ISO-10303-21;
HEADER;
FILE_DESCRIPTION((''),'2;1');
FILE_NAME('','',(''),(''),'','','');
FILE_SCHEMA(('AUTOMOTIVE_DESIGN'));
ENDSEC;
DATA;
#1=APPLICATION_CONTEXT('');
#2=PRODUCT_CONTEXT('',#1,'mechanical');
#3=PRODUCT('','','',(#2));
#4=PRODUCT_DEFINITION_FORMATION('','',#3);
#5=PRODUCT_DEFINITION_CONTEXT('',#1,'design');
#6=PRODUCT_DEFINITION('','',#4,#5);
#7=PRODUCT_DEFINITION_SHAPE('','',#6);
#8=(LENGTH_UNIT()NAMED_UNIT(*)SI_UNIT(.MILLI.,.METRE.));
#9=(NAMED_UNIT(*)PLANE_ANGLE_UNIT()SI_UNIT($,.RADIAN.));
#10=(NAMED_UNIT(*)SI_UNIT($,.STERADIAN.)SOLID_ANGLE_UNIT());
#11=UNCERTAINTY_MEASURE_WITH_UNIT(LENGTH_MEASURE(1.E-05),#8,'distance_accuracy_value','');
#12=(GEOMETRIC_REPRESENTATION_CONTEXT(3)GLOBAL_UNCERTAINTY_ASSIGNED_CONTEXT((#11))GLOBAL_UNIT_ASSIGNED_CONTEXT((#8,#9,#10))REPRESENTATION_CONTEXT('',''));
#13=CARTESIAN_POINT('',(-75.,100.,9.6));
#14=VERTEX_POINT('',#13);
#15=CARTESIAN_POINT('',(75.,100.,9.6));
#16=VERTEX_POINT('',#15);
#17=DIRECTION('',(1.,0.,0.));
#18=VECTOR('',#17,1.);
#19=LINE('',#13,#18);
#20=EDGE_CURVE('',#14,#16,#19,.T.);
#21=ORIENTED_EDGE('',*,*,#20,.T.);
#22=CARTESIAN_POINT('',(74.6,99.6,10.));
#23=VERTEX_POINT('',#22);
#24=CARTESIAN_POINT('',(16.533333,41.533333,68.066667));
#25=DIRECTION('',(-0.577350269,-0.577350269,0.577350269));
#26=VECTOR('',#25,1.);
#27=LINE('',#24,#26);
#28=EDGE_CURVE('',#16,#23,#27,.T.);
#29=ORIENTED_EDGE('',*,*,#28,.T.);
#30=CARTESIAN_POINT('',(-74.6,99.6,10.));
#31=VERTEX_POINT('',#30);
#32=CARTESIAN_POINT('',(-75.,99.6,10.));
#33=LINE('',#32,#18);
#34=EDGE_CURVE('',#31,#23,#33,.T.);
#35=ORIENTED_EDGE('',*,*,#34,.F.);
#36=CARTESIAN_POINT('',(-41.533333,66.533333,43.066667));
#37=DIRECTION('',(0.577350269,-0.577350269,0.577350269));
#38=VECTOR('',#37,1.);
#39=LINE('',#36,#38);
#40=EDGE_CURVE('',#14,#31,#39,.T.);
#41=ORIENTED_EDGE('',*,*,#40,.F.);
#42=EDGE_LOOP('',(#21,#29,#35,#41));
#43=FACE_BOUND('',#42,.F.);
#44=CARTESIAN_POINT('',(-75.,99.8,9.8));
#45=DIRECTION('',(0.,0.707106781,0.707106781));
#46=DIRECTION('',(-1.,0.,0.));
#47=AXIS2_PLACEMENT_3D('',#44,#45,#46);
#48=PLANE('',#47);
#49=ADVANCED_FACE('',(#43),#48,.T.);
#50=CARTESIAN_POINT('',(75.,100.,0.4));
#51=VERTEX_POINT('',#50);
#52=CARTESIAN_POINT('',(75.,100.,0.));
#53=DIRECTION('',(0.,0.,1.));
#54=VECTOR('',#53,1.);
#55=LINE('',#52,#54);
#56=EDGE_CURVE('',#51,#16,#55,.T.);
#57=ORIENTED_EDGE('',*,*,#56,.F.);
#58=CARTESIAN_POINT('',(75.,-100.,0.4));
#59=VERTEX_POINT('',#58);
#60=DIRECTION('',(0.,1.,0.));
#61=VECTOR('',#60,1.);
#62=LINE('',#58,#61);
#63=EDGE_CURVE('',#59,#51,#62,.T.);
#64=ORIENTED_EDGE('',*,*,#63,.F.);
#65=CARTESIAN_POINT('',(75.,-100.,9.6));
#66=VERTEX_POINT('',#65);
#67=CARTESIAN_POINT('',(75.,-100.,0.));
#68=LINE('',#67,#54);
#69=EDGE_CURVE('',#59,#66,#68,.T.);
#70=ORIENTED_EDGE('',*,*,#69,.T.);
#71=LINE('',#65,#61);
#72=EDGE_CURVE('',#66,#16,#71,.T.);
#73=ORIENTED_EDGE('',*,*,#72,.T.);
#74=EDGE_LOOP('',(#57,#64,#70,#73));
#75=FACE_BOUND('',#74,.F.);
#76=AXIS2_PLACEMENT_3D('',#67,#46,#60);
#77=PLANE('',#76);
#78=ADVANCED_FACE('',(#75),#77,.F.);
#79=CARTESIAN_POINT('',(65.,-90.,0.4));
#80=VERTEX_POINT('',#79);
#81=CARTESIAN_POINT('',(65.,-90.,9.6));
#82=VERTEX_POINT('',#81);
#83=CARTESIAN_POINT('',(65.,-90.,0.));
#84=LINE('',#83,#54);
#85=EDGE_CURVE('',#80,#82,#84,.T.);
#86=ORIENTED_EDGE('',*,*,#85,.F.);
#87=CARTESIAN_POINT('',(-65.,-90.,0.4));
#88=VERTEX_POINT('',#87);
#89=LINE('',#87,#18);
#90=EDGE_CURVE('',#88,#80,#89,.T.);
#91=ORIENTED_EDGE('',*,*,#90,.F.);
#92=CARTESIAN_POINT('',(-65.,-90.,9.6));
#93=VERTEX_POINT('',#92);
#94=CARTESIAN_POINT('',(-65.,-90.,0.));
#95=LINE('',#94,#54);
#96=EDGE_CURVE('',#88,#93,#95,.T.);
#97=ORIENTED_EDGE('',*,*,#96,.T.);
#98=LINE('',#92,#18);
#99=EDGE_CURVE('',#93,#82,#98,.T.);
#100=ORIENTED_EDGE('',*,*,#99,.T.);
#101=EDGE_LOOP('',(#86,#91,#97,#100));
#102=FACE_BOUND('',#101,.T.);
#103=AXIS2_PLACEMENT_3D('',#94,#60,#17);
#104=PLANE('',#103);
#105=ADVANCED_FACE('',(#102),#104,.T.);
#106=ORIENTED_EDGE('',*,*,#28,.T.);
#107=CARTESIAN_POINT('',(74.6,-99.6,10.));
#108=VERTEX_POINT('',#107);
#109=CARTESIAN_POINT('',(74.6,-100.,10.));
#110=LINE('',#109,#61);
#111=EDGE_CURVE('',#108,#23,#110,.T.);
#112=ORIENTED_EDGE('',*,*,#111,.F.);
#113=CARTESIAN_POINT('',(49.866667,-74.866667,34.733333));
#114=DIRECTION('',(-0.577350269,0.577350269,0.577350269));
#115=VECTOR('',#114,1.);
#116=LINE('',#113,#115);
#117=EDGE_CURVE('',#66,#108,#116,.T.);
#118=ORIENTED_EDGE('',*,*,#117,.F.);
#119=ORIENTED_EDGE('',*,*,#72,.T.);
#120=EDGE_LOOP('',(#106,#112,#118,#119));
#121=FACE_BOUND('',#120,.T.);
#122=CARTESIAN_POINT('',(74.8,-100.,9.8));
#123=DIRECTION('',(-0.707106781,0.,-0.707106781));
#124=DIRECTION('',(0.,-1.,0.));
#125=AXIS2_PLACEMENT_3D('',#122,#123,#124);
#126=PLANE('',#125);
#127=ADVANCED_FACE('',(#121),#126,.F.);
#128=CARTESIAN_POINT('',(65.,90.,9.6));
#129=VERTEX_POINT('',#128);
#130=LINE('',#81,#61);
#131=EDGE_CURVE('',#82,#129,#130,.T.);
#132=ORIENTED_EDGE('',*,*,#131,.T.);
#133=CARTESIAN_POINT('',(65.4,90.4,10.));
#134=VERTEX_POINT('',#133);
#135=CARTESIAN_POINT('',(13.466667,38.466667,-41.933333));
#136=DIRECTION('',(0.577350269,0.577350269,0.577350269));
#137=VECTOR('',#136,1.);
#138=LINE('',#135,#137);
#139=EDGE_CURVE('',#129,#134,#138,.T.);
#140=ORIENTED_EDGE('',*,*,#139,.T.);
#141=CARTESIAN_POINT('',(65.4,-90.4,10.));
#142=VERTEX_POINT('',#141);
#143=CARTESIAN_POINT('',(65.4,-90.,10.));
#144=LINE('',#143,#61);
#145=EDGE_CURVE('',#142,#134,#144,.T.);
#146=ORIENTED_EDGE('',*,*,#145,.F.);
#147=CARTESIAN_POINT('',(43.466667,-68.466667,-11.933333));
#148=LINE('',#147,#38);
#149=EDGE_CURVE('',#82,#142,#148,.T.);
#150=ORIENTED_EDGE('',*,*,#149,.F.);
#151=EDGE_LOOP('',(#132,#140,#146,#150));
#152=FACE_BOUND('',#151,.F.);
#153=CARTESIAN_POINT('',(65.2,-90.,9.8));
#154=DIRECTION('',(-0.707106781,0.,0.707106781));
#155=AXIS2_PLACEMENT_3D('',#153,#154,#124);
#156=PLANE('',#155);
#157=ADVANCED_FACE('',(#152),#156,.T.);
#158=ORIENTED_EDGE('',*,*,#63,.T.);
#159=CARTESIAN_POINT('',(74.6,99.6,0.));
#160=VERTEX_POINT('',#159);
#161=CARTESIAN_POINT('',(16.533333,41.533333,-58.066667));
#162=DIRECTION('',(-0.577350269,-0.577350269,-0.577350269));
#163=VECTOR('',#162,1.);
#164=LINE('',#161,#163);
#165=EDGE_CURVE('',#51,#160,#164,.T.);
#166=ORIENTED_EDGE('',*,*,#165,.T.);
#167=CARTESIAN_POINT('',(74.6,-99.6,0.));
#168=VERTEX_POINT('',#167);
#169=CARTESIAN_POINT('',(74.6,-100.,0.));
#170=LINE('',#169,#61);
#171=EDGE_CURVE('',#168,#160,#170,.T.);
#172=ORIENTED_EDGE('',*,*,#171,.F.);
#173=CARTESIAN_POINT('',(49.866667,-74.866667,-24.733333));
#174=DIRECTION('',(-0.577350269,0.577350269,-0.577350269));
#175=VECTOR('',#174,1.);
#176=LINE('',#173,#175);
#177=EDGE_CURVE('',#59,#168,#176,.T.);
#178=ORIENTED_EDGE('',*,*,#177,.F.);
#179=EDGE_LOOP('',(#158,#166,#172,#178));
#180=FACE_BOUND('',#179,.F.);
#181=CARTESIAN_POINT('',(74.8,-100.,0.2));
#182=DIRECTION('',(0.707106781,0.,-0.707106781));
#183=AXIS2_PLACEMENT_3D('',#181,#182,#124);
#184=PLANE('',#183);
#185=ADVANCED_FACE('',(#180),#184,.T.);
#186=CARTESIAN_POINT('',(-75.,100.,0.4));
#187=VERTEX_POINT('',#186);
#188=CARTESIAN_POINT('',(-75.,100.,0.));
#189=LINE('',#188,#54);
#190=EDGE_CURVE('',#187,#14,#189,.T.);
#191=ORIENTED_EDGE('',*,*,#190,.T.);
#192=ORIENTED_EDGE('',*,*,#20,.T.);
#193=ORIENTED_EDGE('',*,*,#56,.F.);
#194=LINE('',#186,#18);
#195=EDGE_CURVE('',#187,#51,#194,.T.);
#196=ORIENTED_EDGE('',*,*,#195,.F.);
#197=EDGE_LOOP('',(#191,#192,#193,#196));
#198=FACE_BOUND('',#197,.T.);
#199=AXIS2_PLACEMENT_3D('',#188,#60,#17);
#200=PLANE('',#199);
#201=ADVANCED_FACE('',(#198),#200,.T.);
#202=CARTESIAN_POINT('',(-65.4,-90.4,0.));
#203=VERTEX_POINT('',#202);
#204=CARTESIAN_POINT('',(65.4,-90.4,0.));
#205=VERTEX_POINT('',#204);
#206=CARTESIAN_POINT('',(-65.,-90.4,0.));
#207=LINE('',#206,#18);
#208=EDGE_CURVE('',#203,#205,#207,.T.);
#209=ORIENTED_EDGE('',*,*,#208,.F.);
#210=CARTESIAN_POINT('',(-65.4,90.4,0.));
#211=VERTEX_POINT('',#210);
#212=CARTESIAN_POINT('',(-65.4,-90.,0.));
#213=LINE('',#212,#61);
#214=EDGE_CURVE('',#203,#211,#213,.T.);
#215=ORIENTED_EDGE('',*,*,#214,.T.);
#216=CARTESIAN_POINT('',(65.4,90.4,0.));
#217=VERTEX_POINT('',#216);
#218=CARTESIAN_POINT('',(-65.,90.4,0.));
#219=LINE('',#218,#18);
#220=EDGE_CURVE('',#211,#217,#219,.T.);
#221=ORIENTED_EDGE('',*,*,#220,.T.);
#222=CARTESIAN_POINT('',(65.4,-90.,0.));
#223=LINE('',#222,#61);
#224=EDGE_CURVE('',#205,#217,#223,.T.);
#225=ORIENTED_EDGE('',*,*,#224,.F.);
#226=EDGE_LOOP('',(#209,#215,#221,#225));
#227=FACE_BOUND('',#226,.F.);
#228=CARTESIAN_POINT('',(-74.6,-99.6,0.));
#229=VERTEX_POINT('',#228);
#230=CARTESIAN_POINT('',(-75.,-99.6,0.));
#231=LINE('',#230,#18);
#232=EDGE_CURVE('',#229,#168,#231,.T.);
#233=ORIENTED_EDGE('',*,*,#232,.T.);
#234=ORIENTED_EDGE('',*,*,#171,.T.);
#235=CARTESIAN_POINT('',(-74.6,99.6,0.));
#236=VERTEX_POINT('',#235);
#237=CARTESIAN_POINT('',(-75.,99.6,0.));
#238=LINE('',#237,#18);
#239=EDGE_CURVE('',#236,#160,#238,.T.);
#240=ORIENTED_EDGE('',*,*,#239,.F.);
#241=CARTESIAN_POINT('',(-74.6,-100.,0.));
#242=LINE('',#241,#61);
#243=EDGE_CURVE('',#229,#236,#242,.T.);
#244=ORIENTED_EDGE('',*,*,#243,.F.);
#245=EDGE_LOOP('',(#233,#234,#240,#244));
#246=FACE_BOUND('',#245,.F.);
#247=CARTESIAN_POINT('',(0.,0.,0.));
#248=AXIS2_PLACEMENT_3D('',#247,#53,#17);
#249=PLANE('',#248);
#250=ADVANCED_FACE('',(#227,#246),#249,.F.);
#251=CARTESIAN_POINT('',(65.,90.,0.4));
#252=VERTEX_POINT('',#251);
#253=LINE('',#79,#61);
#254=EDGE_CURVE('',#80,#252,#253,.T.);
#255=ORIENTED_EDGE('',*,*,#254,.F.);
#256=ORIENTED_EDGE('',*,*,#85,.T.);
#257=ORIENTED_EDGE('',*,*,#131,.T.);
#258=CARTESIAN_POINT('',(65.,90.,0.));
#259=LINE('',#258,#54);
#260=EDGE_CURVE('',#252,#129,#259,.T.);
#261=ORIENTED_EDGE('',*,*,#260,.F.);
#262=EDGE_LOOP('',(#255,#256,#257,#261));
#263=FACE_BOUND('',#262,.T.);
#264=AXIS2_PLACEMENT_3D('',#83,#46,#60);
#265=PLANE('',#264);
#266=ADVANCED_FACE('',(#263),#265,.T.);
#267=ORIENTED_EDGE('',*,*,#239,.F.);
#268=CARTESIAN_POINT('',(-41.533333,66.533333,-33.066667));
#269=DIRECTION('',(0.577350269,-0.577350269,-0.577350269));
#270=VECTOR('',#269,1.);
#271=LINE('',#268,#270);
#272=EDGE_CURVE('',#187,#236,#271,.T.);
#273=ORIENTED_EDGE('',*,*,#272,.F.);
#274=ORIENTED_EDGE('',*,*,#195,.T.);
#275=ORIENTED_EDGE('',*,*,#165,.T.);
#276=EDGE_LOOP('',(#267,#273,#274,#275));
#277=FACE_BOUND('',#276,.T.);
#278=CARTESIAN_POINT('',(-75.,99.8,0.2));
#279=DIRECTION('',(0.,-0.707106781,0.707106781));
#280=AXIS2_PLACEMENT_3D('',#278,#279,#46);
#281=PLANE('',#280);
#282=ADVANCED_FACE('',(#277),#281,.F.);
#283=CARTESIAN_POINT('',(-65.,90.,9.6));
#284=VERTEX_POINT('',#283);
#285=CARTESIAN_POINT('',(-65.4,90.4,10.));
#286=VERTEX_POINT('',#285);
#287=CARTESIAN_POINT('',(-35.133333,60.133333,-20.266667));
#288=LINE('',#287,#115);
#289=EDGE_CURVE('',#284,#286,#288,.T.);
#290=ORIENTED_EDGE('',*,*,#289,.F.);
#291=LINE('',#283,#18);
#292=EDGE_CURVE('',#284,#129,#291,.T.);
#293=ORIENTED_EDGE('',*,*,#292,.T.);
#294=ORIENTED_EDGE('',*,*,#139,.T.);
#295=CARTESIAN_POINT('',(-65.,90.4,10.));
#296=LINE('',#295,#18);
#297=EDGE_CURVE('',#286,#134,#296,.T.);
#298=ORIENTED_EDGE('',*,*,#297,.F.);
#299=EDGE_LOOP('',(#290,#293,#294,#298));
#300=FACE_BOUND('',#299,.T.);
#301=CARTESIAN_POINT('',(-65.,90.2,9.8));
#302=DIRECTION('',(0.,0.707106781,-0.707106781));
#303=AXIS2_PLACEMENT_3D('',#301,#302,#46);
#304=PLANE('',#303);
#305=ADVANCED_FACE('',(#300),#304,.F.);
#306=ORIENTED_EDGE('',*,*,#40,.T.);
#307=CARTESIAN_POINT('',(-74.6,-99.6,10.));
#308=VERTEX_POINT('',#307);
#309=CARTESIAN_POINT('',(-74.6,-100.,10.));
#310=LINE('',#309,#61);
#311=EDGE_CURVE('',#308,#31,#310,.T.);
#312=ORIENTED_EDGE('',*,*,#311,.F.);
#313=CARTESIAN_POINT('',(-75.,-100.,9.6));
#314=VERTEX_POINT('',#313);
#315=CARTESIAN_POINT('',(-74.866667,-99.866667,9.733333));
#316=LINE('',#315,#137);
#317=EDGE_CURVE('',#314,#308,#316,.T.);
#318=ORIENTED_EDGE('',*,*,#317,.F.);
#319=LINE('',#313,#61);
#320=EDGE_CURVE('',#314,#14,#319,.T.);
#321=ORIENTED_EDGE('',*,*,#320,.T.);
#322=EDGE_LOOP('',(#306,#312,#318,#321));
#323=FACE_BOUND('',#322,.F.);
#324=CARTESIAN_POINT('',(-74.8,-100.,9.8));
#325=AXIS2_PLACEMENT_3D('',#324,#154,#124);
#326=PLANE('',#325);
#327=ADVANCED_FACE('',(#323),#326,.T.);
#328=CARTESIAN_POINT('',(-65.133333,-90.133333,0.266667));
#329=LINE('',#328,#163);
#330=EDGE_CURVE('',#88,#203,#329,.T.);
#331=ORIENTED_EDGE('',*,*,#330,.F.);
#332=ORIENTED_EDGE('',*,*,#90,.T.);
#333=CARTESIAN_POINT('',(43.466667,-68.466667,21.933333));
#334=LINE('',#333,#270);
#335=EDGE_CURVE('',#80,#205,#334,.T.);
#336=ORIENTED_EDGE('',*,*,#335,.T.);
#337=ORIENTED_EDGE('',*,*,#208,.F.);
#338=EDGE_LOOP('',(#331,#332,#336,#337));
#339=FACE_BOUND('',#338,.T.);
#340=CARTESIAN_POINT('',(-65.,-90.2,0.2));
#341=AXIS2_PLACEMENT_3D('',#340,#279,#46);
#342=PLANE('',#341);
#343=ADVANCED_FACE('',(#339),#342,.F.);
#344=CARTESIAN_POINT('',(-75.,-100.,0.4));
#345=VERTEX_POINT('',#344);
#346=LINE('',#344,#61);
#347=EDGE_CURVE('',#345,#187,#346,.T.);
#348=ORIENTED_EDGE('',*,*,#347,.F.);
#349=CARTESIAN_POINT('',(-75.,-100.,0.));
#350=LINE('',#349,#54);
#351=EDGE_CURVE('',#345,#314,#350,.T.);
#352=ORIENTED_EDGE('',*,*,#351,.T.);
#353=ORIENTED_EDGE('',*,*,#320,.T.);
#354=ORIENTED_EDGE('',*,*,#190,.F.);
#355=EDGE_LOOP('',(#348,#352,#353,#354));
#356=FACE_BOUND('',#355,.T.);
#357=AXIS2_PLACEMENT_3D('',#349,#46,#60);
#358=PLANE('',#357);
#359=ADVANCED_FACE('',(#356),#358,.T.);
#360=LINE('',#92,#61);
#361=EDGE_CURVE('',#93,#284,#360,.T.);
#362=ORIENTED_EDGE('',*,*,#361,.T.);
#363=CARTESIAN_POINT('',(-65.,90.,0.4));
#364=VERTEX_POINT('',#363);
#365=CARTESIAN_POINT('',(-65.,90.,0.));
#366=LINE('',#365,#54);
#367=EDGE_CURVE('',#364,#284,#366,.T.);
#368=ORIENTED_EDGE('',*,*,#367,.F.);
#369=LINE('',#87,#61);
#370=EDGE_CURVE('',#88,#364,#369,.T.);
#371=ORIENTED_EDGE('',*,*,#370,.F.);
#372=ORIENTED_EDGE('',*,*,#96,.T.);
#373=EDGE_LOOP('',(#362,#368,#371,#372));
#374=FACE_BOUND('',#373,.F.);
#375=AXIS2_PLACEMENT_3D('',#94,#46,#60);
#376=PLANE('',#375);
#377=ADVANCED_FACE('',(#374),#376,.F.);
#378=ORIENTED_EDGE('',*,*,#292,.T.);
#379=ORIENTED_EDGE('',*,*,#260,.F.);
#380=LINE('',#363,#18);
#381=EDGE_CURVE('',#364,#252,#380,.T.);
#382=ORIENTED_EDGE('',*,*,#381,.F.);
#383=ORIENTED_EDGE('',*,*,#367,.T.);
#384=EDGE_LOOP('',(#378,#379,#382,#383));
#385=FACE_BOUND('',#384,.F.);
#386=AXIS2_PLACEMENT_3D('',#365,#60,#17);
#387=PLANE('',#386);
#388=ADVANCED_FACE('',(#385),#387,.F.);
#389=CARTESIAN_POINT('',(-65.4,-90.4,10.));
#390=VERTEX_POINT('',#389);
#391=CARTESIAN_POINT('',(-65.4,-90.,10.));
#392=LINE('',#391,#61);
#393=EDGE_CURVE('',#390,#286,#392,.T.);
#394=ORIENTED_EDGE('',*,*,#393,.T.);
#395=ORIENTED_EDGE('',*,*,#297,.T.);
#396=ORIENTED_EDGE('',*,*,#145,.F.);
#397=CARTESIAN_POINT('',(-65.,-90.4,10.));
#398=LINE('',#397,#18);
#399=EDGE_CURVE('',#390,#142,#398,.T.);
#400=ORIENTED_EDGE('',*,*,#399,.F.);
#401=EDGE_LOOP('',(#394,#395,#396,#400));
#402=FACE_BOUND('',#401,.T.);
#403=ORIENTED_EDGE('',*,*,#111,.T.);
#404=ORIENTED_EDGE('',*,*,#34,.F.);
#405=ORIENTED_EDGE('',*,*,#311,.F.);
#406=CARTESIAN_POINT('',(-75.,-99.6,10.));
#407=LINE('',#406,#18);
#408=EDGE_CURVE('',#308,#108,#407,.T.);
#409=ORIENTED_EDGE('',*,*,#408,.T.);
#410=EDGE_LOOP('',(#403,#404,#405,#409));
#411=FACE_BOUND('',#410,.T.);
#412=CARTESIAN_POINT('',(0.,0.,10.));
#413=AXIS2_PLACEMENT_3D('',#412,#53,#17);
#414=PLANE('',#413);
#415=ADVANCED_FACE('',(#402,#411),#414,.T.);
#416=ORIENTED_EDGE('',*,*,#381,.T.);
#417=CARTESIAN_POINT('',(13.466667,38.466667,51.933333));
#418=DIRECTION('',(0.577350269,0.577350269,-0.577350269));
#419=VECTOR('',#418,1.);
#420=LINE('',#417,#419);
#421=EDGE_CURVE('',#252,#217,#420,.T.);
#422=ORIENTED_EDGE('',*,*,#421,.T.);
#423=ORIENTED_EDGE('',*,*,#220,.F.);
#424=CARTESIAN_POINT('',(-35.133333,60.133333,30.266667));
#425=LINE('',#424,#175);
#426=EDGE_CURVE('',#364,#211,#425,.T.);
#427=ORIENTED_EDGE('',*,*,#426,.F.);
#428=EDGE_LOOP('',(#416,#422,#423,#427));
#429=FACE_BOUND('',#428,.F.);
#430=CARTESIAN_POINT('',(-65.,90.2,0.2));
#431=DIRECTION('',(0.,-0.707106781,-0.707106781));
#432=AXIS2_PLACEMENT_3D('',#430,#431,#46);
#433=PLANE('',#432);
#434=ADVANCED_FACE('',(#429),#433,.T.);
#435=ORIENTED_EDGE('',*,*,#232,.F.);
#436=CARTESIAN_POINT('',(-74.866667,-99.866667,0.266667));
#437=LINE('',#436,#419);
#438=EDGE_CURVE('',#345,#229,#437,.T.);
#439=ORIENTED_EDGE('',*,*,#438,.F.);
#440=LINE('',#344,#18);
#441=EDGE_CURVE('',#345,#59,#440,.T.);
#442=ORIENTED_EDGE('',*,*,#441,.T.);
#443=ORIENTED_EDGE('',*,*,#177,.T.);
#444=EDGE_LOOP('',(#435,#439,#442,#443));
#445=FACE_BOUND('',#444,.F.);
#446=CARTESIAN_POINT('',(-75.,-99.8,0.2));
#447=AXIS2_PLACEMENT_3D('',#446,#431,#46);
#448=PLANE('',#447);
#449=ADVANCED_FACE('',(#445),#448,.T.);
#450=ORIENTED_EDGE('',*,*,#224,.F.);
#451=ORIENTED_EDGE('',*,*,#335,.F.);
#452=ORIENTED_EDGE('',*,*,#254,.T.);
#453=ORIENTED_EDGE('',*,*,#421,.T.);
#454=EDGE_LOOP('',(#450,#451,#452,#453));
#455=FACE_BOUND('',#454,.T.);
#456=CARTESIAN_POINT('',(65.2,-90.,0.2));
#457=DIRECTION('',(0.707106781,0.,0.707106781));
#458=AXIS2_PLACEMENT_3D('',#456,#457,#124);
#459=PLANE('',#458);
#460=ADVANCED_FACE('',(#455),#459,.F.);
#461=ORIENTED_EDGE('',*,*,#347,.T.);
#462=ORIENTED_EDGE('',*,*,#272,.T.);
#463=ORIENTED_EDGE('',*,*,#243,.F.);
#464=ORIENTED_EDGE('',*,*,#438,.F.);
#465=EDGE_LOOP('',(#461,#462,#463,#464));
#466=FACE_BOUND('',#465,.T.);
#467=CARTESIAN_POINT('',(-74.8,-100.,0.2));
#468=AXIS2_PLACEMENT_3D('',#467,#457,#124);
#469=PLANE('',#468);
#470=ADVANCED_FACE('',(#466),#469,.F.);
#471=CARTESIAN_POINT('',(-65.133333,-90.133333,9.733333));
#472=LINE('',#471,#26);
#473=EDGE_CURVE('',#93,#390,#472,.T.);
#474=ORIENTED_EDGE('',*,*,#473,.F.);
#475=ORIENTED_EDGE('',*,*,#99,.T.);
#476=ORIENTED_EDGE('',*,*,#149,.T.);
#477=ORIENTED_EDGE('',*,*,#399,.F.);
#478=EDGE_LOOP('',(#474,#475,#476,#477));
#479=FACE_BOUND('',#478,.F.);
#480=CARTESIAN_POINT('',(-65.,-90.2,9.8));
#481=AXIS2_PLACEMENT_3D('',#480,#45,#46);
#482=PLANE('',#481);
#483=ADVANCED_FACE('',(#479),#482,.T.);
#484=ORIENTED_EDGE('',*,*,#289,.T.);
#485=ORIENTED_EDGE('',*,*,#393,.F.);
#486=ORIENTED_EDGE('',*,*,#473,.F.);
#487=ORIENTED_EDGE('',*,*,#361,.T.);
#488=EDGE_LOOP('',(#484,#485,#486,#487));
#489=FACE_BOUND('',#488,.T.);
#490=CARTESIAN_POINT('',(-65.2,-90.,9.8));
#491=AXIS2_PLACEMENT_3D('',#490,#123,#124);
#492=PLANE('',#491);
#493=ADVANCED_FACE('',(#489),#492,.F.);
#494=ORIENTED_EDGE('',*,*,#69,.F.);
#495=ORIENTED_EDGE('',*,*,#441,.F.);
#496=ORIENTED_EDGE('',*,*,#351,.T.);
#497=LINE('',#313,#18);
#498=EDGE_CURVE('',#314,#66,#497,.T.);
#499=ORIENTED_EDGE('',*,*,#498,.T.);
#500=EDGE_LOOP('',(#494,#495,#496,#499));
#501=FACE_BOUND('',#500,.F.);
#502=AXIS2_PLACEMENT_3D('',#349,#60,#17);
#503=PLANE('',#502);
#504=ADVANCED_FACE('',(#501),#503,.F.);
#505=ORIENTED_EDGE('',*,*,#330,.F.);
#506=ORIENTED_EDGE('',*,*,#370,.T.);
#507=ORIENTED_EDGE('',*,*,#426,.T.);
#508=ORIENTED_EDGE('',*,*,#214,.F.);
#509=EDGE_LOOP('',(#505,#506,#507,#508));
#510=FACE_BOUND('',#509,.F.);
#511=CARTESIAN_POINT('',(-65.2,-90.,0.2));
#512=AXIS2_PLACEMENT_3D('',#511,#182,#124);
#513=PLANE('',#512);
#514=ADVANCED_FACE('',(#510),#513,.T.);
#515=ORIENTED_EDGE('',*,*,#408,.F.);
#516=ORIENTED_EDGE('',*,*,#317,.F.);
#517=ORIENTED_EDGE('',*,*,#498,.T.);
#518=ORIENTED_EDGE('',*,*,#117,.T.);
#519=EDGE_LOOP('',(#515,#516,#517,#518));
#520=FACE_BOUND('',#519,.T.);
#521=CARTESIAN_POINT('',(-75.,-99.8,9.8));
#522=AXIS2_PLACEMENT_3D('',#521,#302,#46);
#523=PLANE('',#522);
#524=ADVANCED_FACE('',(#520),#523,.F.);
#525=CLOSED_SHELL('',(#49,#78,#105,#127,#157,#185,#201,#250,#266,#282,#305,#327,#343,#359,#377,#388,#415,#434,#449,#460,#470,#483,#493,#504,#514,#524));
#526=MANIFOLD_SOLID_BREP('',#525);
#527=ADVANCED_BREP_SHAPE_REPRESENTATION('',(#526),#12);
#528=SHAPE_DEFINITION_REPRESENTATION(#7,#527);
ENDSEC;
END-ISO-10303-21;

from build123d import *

# Parameters (mm, degrees)
F0_W     = 150
F0_H     = 200
F0_W_2   = 130
F0_H_2   = 180
F1_DEPTH = 10
F2_SIZE  = 0.4


with BuildPart() as f1:
    # F0 (on Top) → F1 (new body)
    with BuildSketch(Plane.XY):
        Rectangle(F0_W, F0_H)
        Rectangle(F0_W_2, F0_H_2, mode=Mode.SUBTRACT)
    extrude(amount=F1_DEPTH)

    # F2
    f2_edges = [f1.edges().sort_by_distance(p)[0] for p in [
        (75, 0, 10),
        (0, 100, 10),
        (-75, 0, 10),
        (0, -100, 10),
        (0, 90, 10),
        (65, 0, 10),
        (0, -90, 10),
        (-65, 0, 10),
        (75, 0, 0),
        (0, 100, 0),
        (-75, 0, 0),
        (0, -100, 0),
        (0, 90, 0),
        (65, 0, 0),
        (0, -90, 0),
        (-65, 0, 0),
    ]]
    chamfer(f2_edges, length=F2_SIZE)


solid = f1.part
